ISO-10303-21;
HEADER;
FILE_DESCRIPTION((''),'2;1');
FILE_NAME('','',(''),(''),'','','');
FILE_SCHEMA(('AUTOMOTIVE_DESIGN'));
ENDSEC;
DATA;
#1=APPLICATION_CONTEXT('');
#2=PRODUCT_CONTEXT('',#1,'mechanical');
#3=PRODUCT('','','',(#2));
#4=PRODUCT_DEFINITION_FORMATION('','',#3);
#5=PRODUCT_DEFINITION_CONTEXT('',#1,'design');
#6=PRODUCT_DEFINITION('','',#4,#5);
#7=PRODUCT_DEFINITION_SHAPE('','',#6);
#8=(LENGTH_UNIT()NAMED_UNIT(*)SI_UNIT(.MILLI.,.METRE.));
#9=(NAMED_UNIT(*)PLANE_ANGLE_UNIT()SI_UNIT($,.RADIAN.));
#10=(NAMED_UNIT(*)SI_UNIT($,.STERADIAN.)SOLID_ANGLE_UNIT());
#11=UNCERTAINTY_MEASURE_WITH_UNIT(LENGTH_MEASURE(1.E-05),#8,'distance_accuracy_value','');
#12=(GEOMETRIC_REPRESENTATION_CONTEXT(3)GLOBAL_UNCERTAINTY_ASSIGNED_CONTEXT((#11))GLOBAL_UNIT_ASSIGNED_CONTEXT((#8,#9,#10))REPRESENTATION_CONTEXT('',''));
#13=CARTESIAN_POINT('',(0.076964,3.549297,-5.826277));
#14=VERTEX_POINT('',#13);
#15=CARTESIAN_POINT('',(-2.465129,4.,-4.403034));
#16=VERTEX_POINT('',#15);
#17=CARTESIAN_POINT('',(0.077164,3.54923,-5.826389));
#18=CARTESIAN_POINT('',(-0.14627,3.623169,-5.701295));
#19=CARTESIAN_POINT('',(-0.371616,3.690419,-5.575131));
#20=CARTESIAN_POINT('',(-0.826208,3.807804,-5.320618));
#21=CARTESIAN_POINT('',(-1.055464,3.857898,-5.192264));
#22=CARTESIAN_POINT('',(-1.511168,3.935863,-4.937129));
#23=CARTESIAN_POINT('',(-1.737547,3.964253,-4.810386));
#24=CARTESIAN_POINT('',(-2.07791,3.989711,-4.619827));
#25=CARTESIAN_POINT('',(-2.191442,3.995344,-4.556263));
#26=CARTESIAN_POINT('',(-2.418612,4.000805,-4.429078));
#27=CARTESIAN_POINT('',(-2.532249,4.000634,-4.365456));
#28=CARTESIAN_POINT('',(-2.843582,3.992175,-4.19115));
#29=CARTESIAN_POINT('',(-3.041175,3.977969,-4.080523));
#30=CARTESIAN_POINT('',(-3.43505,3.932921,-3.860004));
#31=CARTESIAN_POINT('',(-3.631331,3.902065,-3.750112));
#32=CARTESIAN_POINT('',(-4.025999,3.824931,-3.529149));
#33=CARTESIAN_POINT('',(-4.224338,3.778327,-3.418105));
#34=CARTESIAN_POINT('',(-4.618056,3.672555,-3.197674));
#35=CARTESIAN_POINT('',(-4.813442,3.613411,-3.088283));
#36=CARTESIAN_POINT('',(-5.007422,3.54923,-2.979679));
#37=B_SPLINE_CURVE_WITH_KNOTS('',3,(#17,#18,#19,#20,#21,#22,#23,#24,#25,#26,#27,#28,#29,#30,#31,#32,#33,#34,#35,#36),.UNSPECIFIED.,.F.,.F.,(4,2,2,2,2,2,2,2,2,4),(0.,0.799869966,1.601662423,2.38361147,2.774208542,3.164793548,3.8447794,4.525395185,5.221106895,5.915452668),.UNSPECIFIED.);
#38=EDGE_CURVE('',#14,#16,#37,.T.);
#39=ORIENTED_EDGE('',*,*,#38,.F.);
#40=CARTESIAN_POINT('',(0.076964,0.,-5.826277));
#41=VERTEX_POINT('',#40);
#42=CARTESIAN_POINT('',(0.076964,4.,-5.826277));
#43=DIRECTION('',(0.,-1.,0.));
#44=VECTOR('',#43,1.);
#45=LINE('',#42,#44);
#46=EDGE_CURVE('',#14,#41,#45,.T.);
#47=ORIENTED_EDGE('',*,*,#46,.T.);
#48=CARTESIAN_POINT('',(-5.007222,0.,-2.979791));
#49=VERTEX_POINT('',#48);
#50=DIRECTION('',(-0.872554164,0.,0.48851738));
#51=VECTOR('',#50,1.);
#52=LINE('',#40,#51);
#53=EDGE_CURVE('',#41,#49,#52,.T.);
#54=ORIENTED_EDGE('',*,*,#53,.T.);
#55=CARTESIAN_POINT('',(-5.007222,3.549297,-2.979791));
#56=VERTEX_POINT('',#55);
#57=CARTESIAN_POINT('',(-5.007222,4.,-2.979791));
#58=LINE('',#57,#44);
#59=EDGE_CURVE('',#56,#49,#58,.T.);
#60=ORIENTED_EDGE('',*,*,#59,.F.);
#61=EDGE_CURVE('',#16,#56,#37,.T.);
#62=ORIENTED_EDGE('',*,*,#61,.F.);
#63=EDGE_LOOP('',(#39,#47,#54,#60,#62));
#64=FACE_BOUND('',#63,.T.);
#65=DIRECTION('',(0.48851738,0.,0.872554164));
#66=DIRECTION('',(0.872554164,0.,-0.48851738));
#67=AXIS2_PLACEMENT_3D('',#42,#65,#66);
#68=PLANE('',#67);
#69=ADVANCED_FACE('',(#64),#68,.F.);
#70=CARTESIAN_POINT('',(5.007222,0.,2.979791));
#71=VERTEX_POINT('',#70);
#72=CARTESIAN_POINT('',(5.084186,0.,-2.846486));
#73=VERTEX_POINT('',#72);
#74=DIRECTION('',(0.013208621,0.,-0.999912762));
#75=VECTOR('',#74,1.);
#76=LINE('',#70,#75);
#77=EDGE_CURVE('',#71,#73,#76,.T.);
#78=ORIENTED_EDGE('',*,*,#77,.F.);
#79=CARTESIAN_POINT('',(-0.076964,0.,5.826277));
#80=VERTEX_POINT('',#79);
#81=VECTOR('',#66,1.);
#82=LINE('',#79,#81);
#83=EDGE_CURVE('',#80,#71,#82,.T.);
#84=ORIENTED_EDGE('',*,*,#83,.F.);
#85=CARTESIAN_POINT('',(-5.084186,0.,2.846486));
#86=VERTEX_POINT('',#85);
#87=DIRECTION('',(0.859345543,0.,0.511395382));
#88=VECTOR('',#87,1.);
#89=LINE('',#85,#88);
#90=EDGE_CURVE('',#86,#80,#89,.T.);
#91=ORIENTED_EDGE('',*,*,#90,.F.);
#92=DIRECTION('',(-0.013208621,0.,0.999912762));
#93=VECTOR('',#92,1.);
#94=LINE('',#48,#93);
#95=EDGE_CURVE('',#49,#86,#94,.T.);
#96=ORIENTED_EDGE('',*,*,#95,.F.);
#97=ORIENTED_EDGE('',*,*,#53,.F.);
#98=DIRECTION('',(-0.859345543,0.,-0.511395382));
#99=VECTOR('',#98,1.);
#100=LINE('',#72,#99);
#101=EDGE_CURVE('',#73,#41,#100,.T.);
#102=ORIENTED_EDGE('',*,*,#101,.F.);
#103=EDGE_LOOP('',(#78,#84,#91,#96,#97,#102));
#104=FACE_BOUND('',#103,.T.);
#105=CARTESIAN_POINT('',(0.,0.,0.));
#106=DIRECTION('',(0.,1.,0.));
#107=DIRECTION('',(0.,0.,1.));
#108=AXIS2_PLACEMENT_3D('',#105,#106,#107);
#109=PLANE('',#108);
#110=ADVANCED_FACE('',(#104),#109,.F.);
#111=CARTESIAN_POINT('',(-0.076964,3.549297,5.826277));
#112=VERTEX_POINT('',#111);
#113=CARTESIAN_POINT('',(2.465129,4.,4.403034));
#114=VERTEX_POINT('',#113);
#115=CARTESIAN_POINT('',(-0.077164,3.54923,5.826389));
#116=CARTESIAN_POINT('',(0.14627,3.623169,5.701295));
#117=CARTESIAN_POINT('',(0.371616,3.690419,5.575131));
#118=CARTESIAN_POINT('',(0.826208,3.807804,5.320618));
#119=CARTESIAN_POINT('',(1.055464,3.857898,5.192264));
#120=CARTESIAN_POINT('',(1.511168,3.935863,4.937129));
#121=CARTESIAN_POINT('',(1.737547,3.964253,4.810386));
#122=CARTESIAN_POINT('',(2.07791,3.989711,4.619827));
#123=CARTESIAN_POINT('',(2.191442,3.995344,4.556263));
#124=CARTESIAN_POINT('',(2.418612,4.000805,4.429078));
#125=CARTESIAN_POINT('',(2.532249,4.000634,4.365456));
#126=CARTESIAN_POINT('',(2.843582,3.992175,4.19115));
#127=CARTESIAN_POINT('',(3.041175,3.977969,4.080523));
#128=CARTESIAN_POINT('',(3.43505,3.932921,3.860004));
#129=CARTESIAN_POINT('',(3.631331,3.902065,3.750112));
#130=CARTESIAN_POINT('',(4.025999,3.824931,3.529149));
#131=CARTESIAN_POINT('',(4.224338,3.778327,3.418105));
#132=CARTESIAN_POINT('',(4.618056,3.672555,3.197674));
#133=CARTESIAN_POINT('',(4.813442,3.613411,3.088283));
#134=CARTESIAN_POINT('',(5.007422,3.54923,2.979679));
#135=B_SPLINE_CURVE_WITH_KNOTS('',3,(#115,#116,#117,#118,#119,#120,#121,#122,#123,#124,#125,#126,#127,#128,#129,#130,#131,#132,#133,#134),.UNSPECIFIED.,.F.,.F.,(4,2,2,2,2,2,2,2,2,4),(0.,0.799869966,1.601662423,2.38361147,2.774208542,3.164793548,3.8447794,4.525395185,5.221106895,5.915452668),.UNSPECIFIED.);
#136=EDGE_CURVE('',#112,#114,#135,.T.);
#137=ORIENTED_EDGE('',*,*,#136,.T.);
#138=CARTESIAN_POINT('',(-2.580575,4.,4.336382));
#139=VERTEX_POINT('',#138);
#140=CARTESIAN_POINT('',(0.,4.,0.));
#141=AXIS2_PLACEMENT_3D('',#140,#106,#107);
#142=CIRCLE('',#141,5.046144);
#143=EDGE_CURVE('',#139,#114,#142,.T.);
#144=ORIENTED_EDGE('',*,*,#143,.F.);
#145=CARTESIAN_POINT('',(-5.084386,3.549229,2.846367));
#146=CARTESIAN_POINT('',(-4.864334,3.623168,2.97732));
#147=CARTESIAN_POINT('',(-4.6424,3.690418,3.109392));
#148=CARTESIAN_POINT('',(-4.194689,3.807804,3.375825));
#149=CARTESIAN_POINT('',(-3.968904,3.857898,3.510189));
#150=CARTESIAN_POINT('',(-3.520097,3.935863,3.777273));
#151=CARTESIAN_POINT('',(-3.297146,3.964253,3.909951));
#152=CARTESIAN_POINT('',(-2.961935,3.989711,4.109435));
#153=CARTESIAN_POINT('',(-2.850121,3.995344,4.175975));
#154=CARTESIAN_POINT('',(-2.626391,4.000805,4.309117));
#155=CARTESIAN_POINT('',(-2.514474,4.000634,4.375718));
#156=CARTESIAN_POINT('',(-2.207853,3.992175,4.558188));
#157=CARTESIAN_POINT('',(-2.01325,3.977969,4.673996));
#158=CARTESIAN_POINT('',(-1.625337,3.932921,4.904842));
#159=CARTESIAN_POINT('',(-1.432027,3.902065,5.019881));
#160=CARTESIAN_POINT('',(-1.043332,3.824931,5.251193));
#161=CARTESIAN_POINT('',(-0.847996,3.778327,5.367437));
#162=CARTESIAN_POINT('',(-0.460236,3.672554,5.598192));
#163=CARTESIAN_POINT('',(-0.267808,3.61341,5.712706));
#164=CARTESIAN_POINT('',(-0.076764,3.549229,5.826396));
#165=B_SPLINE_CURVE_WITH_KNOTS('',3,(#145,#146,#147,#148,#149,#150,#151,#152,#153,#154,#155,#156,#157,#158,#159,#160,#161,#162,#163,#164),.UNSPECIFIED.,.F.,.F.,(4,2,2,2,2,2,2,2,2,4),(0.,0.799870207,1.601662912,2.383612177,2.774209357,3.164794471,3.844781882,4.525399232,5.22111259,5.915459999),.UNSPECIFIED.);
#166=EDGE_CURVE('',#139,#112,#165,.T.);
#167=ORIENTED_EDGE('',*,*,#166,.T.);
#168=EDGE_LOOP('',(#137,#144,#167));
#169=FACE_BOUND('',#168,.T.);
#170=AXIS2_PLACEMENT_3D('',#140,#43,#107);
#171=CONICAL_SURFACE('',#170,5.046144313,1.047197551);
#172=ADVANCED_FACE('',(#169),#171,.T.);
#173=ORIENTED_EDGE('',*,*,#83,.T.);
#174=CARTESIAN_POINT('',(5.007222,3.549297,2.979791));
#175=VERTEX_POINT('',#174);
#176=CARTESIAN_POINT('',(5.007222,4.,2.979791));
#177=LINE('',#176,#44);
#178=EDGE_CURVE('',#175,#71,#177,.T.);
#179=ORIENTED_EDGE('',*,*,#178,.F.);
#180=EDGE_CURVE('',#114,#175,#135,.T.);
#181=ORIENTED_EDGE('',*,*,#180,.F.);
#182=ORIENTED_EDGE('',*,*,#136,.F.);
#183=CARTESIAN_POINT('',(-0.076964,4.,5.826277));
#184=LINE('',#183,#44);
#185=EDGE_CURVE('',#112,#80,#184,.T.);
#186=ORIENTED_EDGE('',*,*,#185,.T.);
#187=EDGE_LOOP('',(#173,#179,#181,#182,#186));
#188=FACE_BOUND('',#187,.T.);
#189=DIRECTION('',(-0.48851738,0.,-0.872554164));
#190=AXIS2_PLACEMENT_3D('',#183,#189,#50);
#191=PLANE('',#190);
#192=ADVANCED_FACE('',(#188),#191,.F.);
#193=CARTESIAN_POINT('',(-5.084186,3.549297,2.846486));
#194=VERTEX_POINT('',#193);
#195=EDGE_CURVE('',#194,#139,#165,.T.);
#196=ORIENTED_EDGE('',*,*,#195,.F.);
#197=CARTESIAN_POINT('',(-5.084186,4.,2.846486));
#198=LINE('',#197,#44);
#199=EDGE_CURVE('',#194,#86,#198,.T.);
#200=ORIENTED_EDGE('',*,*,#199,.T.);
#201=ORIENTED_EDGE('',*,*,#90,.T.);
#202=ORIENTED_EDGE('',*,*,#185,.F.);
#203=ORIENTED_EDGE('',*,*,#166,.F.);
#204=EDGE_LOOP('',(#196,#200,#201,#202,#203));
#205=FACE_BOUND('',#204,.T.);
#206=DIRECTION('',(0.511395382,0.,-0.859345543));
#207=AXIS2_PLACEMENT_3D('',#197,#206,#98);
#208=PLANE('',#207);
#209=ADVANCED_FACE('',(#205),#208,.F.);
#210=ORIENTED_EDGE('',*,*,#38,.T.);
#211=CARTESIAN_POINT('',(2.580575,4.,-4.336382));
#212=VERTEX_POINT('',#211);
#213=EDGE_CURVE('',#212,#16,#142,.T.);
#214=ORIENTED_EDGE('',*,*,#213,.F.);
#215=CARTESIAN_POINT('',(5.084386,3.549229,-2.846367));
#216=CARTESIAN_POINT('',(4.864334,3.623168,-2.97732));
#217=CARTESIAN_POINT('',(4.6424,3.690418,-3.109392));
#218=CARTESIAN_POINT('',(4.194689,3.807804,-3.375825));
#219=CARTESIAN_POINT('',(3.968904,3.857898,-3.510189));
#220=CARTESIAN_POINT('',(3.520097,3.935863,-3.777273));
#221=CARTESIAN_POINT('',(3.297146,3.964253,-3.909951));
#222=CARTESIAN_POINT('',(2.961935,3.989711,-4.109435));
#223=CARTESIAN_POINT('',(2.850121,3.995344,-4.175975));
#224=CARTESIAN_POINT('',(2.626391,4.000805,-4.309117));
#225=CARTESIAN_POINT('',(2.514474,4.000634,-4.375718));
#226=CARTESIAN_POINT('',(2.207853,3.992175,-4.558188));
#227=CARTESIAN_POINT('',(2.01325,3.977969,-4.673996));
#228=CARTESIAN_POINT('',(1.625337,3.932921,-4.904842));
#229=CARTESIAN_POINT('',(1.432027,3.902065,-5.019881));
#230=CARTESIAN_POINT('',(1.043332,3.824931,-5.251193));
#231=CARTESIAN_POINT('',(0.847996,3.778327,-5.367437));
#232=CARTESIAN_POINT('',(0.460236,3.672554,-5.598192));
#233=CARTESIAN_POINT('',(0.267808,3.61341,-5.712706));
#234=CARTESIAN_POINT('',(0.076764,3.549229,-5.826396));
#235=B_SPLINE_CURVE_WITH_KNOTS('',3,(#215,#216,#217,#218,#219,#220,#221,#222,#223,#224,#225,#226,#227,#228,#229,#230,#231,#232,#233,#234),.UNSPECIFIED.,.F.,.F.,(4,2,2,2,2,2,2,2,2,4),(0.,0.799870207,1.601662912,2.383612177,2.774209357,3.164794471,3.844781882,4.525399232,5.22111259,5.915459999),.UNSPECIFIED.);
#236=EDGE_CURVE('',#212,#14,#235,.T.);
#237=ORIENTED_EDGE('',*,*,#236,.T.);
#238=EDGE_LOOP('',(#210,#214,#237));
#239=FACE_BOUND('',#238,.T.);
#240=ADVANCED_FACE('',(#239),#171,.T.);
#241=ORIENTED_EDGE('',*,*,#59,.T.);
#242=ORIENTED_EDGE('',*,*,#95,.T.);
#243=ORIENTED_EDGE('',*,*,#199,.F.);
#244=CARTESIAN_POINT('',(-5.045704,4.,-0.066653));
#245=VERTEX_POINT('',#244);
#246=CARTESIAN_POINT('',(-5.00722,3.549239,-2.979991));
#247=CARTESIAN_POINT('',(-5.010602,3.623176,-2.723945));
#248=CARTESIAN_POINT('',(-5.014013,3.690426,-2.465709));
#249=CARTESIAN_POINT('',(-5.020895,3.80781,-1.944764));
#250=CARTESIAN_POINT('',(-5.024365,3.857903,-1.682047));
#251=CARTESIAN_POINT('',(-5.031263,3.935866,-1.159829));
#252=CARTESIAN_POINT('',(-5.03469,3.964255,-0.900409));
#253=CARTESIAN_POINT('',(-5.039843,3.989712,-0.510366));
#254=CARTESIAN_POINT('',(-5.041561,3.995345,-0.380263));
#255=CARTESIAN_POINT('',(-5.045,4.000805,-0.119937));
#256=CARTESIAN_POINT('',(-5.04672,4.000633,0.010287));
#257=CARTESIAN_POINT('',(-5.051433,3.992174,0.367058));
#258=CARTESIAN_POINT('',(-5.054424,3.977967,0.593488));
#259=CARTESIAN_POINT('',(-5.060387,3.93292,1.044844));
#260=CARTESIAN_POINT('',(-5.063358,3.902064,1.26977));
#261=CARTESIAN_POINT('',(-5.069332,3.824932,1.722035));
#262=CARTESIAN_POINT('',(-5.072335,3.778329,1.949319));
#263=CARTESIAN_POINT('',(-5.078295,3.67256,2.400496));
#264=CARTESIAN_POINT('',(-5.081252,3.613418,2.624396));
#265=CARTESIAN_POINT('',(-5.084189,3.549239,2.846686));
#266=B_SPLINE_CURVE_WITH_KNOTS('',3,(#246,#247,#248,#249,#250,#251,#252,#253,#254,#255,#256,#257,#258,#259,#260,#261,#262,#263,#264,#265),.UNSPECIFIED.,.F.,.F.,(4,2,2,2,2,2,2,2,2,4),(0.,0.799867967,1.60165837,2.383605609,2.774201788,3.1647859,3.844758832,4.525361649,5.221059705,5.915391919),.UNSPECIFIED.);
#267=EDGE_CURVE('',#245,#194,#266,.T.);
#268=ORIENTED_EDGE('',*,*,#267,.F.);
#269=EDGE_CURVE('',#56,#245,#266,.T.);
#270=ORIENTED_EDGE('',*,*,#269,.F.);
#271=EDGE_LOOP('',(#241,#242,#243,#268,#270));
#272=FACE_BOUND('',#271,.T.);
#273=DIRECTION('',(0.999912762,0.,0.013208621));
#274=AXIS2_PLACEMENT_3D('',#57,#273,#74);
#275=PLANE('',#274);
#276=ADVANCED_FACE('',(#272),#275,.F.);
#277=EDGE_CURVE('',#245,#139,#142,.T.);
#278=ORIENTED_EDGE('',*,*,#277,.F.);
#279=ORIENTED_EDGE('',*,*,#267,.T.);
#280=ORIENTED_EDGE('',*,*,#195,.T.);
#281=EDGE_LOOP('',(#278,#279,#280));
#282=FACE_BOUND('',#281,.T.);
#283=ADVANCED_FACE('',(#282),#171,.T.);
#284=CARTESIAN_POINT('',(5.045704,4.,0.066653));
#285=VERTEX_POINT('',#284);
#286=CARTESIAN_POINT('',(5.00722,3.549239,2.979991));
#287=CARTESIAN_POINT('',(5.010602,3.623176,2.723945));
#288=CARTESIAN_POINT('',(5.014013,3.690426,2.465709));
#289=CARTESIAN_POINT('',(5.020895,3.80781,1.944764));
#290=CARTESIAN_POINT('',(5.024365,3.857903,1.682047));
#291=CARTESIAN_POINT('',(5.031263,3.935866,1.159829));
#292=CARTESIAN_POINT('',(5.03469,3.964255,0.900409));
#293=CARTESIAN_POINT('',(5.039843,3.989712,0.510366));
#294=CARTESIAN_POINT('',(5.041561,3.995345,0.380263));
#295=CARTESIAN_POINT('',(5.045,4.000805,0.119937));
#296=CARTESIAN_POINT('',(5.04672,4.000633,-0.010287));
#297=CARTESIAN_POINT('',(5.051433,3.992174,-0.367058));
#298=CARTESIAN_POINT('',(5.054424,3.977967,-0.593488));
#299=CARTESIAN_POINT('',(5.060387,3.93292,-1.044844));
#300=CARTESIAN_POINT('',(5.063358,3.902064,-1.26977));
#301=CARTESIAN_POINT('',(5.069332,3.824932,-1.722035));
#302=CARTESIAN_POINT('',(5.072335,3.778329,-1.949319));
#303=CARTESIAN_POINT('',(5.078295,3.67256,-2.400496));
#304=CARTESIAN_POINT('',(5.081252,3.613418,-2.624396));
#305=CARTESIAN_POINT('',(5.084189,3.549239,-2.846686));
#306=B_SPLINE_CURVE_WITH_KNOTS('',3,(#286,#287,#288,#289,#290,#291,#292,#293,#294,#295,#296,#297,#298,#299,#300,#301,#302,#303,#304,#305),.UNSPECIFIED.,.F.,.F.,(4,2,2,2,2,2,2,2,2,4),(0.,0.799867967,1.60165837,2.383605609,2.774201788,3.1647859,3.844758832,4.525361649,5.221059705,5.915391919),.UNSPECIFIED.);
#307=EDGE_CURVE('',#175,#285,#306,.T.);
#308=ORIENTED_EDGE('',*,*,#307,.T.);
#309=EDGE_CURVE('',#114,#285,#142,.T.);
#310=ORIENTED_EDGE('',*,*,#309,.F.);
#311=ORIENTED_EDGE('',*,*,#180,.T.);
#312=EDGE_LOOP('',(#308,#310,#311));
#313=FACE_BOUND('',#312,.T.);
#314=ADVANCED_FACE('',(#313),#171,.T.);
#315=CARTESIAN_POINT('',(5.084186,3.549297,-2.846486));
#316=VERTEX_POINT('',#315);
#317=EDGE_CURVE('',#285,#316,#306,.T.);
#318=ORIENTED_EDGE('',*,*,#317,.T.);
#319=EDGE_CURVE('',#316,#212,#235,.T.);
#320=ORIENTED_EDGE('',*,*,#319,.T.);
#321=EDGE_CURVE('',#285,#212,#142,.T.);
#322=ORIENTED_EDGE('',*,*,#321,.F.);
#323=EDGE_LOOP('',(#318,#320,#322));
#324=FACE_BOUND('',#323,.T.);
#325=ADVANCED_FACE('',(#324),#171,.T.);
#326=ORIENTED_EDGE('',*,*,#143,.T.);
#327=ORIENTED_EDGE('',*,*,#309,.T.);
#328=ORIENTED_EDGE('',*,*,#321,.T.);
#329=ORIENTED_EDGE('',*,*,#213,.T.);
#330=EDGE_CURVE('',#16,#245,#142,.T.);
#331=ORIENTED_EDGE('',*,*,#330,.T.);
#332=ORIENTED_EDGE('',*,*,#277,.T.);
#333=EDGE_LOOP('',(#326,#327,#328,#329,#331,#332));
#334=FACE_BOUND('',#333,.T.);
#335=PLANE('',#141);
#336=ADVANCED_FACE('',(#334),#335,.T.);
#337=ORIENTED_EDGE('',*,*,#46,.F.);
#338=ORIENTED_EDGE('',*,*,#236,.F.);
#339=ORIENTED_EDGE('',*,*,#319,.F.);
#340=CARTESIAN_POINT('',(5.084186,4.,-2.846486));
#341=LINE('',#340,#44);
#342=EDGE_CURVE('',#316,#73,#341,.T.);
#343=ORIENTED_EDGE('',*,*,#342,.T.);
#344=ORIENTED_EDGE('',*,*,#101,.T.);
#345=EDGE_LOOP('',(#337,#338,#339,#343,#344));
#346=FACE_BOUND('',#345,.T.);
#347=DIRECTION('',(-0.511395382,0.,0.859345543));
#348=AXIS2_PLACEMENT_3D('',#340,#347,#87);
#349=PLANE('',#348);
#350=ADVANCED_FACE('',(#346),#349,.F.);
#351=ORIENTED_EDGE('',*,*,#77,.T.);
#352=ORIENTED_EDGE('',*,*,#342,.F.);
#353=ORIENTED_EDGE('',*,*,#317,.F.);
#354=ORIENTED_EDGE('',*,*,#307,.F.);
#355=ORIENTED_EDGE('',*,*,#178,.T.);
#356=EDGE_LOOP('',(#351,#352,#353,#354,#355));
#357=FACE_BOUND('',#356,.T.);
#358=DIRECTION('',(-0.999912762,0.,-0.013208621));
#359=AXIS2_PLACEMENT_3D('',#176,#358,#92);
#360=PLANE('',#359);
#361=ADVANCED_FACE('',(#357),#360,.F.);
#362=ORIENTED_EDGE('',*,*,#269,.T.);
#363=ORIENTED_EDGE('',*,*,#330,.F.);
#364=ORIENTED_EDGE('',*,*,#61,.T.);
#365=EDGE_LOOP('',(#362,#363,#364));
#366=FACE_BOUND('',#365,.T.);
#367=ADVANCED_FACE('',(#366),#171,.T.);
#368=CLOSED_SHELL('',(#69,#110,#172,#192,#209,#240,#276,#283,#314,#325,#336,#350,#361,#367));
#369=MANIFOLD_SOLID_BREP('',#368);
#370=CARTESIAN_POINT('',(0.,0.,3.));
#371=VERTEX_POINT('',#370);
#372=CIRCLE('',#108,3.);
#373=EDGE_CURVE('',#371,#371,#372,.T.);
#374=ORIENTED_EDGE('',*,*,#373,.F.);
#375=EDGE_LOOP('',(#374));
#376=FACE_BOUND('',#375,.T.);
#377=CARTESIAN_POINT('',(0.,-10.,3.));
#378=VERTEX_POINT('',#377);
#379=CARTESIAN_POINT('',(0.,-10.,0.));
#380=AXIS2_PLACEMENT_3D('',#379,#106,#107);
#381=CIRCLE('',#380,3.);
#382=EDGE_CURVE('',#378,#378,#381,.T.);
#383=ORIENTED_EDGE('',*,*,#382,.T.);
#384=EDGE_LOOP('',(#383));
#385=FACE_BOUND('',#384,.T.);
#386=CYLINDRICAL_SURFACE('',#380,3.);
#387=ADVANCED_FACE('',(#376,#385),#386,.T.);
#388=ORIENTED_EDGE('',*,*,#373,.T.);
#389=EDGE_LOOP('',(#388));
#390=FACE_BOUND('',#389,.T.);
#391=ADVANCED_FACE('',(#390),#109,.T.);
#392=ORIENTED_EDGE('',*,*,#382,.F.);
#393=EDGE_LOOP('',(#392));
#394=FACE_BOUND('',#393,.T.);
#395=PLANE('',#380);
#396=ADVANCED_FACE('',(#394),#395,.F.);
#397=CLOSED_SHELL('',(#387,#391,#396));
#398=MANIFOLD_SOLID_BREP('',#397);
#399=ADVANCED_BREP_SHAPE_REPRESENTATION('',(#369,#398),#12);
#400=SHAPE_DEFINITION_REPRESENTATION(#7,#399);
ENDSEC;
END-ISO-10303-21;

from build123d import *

# Parameters (mm, degrees)
SKETCH1_R           = 3
BOSS_EXTRUDE1_DEPTH = 10
BOSS_EXTRUDE2_DEPTH = 4
SKETCH3_OUTSIDE_W   = 64.838
SKETCH3_OUTSIDE_H   = 66.322
SKETCH3_OUTSIDE_R   = 5.046144313
CUT_EXTRUDE10_DEPTH = 14
CUT_EXTRUDE10_DRAFT = -60


with BuildPart() as part:
    # Sketch1 → Boss-Extrude1 (new body)
    with BuildSketch(Plane(origin=(0, 0, 0), x_dir=(1, 0, 0), z_dir=(0, 1, 0))):
        with Locations(Location((0, 0, 0), (0, 0, 270))):
            Circle(SKETCH1_R)
    extrude(amount=-BOSS_EXTRUDE1_DEPTH)


with BuildPart() as body_2:
    # Sketch2 → Boss-Extrude2 (new body)
    with BuildSketch(Plane(origin=(0, 0, 0), x_dir=(1, 0, 0), z_dir=(0, 1, 0))):
        Polygon((5.084186, 2.846486013), (0.076963801, 5.82627724), (-5.007222199, 2.979791227), (-5.084186, -2.846486013), (-0.076963801, -5.82627724), (5.007222199, -2.979791227), align=None)
    extrude(amount=BOSS_EXTRUDE2_DEPTH)


with BuildPart() as cut_extrude10_tool:
    # Sketch3 outside → Cut-Extrude10 (with draft: the straight prism first)
    with BuildSketch(Plane(origin=(0, 4, 0), x_dir=(1, 0, 0), z_dir=(0, 1, 0))):
        Rectangle(SKETCH3_OUTSIDE_W, SKETCH3_OUTSIDE_H)
        Circle(SKETCH3_OUTSIDE_R, mode=Mode.SUBTRACT)
    extrude(amount=-CUT_EXTRUDE10_DEPTH)
    # Cut-Extrude10: the draft: its side faces are tilted about the plane it starts from
    cut_extrude10_sides = [cut_extrude10_tool.faces().sort_by_distance(p)[0] for p in [
        (0, -3, 33.161),
        (32.419, -3, 0),
        (0, -3, -33.161),
        (-32.419, -3, 0),
        (-5.046144313, -3, 0),
    ]]
    draft(cut_extrude10_sides, Plane(origin=(0, 4, 0), x_dir=(1, 0, 0), z_dir=(0, 1, 0)), CUT_EXTRUDE10_DRAFT)


with BuildPart() as body_2_1:
    add(body_2.part)

    # Cut-Extrude10: cut by cut_extrude10_tool
    add(cut_extrude10_tool.part, mode=Mode.SUBTRACT)


solid = Compound([part.part, body_2_1.part])
